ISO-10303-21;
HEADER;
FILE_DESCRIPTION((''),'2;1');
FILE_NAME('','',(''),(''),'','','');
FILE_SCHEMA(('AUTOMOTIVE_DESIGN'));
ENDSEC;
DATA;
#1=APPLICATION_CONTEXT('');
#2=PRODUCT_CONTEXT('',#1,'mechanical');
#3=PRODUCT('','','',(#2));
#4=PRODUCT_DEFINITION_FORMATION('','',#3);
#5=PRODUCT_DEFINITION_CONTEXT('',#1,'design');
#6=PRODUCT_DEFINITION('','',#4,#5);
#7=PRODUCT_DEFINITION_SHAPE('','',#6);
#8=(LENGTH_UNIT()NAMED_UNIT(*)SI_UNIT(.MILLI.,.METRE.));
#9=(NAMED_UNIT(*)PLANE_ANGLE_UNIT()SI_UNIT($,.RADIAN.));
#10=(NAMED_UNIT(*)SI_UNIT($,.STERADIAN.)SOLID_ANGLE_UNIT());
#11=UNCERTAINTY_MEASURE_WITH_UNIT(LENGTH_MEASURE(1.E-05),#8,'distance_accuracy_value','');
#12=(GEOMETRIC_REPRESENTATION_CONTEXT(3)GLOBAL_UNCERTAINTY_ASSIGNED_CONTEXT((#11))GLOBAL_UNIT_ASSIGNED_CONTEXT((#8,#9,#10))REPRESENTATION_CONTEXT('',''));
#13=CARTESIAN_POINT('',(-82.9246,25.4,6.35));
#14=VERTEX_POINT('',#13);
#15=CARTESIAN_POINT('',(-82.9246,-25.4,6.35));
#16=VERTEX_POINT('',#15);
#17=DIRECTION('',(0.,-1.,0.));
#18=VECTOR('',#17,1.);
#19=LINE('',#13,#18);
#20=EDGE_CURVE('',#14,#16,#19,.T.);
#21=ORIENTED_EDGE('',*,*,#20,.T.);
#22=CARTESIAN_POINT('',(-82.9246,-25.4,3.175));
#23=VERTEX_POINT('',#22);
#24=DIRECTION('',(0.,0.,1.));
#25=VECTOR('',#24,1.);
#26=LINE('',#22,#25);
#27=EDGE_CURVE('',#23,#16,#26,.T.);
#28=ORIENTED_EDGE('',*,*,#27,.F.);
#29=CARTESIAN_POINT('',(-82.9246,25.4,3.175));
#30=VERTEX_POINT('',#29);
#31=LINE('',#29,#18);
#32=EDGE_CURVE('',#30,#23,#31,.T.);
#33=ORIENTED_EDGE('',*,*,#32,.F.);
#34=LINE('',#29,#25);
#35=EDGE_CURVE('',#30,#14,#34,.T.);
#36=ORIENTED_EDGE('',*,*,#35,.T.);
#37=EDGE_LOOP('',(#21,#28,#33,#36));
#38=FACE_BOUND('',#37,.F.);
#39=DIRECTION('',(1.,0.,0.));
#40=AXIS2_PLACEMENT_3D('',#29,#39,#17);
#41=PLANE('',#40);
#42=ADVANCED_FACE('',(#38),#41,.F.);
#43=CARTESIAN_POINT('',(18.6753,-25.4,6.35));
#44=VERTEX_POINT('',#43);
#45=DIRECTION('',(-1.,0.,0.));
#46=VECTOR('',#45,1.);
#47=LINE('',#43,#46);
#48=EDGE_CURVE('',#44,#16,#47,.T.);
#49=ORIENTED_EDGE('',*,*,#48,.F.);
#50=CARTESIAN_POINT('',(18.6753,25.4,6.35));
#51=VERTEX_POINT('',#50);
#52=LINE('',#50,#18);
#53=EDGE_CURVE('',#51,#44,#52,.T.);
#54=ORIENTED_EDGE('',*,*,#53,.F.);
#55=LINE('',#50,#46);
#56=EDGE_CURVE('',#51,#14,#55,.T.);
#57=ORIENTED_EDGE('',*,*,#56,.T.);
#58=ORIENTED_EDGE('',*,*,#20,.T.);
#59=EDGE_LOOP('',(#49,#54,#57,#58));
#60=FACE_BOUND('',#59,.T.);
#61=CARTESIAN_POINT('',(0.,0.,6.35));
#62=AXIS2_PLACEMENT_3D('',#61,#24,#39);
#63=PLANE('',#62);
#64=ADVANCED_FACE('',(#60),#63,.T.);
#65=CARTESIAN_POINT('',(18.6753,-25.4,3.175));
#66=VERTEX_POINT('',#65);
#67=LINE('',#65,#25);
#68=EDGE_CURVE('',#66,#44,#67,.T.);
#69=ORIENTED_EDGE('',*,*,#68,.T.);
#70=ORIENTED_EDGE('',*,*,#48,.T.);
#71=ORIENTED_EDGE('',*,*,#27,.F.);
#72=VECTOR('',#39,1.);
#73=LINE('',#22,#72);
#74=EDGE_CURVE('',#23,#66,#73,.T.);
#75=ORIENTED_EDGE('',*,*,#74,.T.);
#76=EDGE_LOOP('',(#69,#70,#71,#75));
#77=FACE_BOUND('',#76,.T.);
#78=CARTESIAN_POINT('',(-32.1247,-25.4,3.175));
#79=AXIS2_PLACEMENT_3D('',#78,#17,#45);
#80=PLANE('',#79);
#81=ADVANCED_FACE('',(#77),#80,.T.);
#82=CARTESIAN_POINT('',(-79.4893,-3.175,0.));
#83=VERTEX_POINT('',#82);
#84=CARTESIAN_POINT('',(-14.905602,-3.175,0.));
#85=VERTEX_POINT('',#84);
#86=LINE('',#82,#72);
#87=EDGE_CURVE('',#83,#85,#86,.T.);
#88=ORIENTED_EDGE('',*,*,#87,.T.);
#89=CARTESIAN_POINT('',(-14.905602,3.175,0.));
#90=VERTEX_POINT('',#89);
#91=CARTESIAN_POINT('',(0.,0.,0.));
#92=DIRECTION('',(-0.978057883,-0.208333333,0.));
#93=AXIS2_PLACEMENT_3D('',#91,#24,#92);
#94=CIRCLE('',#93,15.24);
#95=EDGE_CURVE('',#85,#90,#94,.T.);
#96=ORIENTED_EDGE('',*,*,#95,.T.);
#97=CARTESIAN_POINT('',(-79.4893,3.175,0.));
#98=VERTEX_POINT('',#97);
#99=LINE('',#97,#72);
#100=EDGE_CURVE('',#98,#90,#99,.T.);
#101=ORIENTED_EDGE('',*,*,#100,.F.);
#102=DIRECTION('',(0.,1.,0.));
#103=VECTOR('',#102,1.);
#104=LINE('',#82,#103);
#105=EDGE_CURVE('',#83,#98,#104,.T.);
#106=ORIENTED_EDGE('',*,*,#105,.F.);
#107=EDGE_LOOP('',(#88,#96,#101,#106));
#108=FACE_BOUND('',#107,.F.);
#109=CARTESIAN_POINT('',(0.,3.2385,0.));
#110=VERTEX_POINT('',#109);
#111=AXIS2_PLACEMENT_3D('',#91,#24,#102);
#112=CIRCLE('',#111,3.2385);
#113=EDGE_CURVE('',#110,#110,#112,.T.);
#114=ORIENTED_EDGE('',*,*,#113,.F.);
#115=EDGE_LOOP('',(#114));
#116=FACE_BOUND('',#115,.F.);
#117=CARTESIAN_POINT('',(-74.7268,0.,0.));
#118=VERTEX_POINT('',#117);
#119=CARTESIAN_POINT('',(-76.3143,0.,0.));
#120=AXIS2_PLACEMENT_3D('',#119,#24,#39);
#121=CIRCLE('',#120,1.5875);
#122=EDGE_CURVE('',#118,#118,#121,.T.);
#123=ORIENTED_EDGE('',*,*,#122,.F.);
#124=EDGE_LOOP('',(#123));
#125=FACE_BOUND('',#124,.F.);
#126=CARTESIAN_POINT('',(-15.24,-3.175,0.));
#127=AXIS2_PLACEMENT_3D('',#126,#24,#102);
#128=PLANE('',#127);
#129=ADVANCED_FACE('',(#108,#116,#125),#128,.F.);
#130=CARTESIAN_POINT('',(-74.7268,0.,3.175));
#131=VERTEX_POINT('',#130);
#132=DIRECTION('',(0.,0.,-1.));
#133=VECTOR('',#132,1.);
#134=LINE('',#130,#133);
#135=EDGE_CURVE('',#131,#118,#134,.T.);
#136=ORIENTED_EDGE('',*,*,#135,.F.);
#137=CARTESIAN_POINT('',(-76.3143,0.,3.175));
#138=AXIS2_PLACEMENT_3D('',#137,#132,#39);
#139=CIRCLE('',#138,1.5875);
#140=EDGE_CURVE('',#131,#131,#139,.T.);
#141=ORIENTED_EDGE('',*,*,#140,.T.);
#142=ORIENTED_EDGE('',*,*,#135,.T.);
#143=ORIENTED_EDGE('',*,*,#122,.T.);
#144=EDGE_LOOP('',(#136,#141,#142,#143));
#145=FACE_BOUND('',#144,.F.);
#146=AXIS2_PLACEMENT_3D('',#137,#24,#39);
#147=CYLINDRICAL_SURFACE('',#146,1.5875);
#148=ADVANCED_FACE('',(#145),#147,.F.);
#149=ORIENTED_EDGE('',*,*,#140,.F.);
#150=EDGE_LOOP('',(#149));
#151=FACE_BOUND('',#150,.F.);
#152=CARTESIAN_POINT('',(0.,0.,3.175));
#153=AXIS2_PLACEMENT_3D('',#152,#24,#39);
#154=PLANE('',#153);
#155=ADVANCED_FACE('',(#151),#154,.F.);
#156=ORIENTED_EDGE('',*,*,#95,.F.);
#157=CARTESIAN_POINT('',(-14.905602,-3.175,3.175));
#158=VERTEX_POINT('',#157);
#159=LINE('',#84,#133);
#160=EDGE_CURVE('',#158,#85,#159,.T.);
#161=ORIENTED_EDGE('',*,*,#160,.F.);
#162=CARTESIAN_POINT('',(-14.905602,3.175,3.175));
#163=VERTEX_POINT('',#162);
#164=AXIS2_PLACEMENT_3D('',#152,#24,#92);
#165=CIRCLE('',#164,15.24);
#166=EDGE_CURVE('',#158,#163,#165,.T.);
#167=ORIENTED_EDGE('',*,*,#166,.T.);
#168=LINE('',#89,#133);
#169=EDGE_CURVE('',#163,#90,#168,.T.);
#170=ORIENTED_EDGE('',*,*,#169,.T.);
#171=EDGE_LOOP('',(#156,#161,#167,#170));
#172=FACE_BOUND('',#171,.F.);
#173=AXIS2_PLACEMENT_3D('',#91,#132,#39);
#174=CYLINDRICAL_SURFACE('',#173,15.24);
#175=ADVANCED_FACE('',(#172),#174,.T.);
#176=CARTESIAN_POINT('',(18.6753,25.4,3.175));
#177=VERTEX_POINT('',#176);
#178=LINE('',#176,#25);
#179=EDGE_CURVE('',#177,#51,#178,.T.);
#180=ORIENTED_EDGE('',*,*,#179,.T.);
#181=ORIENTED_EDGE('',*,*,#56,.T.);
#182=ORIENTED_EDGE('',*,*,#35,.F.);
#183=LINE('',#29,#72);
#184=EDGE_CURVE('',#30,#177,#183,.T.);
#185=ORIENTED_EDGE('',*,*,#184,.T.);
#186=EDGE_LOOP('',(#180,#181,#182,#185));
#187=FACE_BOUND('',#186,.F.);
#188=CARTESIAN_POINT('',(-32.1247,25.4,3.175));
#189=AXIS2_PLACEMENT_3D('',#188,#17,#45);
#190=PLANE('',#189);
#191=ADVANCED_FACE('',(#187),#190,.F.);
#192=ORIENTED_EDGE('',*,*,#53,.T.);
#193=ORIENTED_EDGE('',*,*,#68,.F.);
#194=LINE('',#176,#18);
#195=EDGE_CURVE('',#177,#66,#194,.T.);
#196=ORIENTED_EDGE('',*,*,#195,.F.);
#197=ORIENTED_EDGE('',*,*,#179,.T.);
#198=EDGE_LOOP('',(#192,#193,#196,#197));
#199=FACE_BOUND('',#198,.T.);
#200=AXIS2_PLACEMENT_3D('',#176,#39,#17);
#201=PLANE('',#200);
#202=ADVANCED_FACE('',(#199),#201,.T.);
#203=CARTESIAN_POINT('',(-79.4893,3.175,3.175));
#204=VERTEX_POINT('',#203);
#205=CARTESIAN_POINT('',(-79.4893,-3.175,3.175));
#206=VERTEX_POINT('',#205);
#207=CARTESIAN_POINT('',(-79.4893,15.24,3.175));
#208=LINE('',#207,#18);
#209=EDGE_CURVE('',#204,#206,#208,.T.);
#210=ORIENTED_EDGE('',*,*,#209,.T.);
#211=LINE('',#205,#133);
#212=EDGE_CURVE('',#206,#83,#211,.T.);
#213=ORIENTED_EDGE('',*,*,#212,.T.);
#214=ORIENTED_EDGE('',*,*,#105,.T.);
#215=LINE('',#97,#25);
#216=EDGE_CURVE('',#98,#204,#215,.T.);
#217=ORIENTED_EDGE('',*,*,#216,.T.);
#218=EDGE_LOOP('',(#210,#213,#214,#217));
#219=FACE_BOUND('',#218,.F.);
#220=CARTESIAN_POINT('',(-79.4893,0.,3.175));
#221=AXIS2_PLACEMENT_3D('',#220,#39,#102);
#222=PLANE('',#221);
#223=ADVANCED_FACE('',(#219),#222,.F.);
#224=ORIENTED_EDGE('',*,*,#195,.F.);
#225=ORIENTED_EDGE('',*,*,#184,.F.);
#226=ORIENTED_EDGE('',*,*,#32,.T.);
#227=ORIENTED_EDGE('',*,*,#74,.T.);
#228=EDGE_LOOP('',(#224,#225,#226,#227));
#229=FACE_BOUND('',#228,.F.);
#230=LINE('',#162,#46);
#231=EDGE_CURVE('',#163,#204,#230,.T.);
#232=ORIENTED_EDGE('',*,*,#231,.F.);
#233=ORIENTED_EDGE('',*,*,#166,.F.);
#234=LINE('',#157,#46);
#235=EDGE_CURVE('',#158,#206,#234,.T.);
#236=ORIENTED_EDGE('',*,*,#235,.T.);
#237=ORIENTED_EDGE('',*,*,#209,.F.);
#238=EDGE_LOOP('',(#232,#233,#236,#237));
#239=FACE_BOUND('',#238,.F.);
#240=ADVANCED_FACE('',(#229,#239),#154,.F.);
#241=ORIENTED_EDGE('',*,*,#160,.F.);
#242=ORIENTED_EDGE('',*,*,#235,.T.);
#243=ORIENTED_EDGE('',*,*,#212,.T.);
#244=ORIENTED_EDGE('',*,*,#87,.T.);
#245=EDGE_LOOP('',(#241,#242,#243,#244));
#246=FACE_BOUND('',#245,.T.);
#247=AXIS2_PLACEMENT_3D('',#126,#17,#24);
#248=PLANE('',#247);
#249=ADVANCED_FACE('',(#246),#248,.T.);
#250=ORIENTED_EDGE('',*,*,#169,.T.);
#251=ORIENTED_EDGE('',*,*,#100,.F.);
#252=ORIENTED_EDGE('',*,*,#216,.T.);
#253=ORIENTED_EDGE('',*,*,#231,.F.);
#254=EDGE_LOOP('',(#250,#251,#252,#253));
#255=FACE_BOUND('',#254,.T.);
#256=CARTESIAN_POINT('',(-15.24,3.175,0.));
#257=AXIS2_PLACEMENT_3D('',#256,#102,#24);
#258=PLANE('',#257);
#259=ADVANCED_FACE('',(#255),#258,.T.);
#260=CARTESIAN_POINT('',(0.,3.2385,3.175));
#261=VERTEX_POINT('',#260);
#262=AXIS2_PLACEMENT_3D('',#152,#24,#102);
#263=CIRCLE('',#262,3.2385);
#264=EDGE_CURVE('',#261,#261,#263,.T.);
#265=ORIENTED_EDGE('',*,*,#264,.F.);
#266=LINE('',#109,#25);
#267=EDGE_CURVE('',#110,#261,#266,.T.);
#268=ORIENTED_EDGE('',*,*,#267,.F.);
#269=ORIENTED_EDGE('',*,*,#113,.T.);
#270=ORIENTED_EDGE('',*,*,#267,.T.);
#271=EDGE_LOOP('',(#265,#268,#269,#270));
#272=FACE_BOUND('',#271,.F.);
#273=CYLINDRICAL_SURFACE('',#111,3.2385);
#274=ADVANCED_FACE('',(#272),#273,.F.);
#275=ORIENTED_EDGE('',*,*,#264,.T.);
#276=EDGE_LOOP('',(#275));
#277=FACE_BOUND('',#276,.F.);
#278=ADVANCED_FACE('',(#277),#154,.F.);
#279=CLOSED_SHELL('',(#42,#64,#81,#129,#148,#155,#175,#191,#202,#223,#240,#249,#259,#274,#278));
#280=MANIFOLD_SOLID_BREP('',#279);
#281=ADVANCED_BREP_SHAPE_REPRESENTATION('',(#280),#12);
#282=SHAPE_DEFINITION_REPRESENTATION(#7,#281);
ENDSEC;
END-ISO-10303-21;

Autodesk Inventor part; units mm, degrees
ref_plane "YZ Plane" through (0, 0, 0) normal (1, 0, 0) x (0, 1, 0)
ref_plane "XZ Plane" through (0, 0, 0) normal (0, 1, 0) x (-1, 0, 0)
sketch "Sketch1" plane through (0, 0, 0) normal (0, 0, 1) x (1, 0, 0)
  circle A0 centre (0, 0) radius 15.24
extrude "Extrusion1" add sketch "Sketch1" along normal blind 3.175
sketch "Sketch2" plane through (0, 0, 3.175) normal (0, 0, 1) x (1, 0, 0)
  circle A0 centre (0, 0) radius 15.24 projected
  line L0 (-15.24, 0) -> (-15.24, 3.175)
  line L1 (-15.24, 0) -> (-15.24, -3.175)
  dimension "d3" = 3.175
  dimension "d4" = 3.175
ref_plane "Work Plane1" through (-15.24, 0, 3.175) normal (1, 0, 0) x (0, 1, 0)
sketch "Sketch3" plane through (-15.24, 0, 3.175) normal (1, 0, 0) x (0, 1, 0)
  line L0 (15.24, 0) -> (-15.24, 0) projected
  line L1 (-15.24, -3.175) -> (15.24, -3.175) projected
  line L2 (0, -3.175) -> (3.175, -3.175)
  line L3 (3.175, -3.175) -> (3.175, 0)
  line L4 (3.175, 0) -> (-3.175, 0)
  line L5 (-3.175, 0) -> (-3.175, -3.175)
  line L6 (-3.175, -3.175) -> (3.175, -3.175)
  dimension "d6" = 6.35
extrude "Extrusion2" add sketch "Sketch3" against normal blind 64.2493
sketch "Sketch4" plane through (-15.24, 0, 3.175) normal (1, 0, 0) x (0, 0, -1)
  line L0 (3.175, -3.175) -> (3.175, 0) projected
  line L1 (0, 3.175) -> (3.175, 3.175)
  line L2 (3.175, 3.175) -> (3.175, -3.175)
  line L3 (3.175, -3.175) -> (0, -3.175)
  line L4 (0, -3.175) -> (0, 3.175)
extrude "Extrusion3" add sketch "Sketch4" along normal blind 12.7
sketch "Sketch6" plane through (0, 0, 0) normal (0, 0, -1) x (-1, 0, 0)
  circle A0 centre (0, 0) radius 3.2385
  dimension "d24" = 6.477
hole "Hole1" at (0, 0, 0) direction (0, 0, -1) diameter 6.477 end through all
hole "Hole2" at (0, 0, 0) direction (0, 0, 1) diameter 6.477 depth 7.9375 tip angle 118
sketch "Sketch7" plane through (0, 0, 3.175) normal (0, 0, 1) x (1, 0, 0)
  line L0 (-79.4893, -3.175) -> (-79.4893, 3.175) projected
  line L1 (-79.4893, 0) -> (-76.3143, 0)
  circle A0 centre (-76.3143, 0) radius 1.5875
  point P0 (0, 0)
  dimension "d39" = 3.175
  dimension "d40" = 3.175
extrude "Extrusion6" cut sketch "Sketch7" against normal blind 25.4
sketch "Sketch8" plane through (0, 0, 3.175) normal (0, 0, 1) x (1, 0, 0)
  arc A0 (-14.9056, -3.175) -> (-14.9056, 3.175) centre (0, 0) ccw projected
  line L0 (-32.1247, -25.4) -> (18.6753, -25.4)
  line L1 (-32.1247, -25.4) -> (-82.9246, -25.4)
  line L2 (-32.1247, 25.4) -> (-82.9246, 25.4)
  line L3 (-32.1247, 25.4) -> (18.6753, 25.4)
  line L4 (18.6753, 25.4) -> (18.6753, -25.4)
  line L5 (-82.9246, 25.4) -> (-82.9246, -25.4)
  dimension "d45" = 50.8
  dimension "d46" = 50.8
  dimension "d47" = 50.8
  dimension "d48" = 50.8
extrude "Extrusion7" add sketch "Sketch8" along normal blind 3.175
sketch "Sketch9" plane through (-79.4893, -3.175, 0) normal (0, -1, 0) x (1, 0, 0)
  line L0 (64.5837, 3.175) -> (64.5837, 0) projected
  line L1 (64.5837, 0) -> (64.5837, 3.175)
  point P0 (79.4893, 0)
sketch "Sketch10" plane through (-79.4893, 3.175, 0) normal (0, 1, 0) x (1, 0, 0)
  line L0 (64.5837, -3.175) -> (64.5837, 0) projected
  line L1 (64.5837, 0) -> (64.5837, -3.175)
  point P0 (79.4893, 0)
sketch "Sketch11" plane through (0, 0, 3.175) normal (0, 0, -1) x (-1, 0, 0)
  line L0 (14.9056, 3.175) -> (79.4893, 3.175) projected
  line L1 (79.4893, 3.175) -> (79.4893, -3.175) projected
  line L2 (14.9056, 3.175) -> (79.4893, 3.175)
  line L3 (79.4893, -3.175) -> (14.9056, -3.175) projected
  line L4 (14.9056, -3.175) -> (79.4893, -3.175)
  arc A0 (14.9056, 3.175) -> (14.9056, -3.175) centre (0, 0) ccw projected
  circle A1 centre (0, 0) radius 3.2385 projected
  line L5 (79.4893, -3.175) -> (14.9056, -3.175) projected
  dimension "d51" = 64.5837
  dimension "d52" = 64.5837
  dimension "d53" = 18.4785
  dimension "d54" = 6.35
  dimension "d55" = 14.9056
sketch "Sketch12" plane through (-82.9246, -25.4, 3.175) normal (0, -1, 0) x (1, 0, 0)
  line L0 (0, 0) -> (101.6, 0) projected
  line L1 (68.019, -3.175) -> (98.1646, -3.175) projected
  point P0 (82.9246, -3.175)
  dimension "d56" = 3.175
sketch "Sketch13" plane through (0, 0, 3.175) normal (0, 0, -1) x (-1, 0, 0)
  point P0 (0, 0)
sketch "Sketch14" plane through (0, 0, 0) normal (0, 0, -1) x (-1, 0, 0)
  circle A0 centre (0, 0) radius 15.24 projected
  circle A1 centre (76.3143, 0) radius 1.5875 projected
  circle A2 centre (0, 0) radius 3.2385 projected
  line L0 (79.4893, -3.175) -> (14.9056, -3.175) projected
  line L1 (79.4893, 3.175) -> (79.4893, -3.175) projected
  line L2 (14.9056, 3.175) -> (79.4893, 3.175) projected
  arc A3 (14.9056, 3.175) -> (14.9056, -3.175) centre (0, 0) ccw projected
  line L3 (15.24, -15.24) -> (15.24, 15.24) projected
  line L4 (-18.6753, 25.4) -> (82.9246, 25.4) projected
  line L5 (-18.6753, -25.4) -> (-18.6753, 25.4) projected
  line L6 (82.9246, -25.4) -> (-18.6753, -25.4) projected
  line L7 (82.9246, 25.4) -> (82.9246, -25.4) projected
  line L8 (79.4893, 3.175) -> (14.9056, 3.175) projected
  line L9 (79.4893, -3.175) -> (79.4893, 3.175) projected
  line L10 (79.4893, -3.175) -> (14.9056, -3.175) projected
  arc A4 (14.9056, 3.175) -> (14.9056, -3.175) centre (0, 0) ccw projected
  line L11 (14.9056, -3.175) -> (14.9056, -3.5133)
  dimension "d57" = 0.3344
properties part number "ClawLinkage"
